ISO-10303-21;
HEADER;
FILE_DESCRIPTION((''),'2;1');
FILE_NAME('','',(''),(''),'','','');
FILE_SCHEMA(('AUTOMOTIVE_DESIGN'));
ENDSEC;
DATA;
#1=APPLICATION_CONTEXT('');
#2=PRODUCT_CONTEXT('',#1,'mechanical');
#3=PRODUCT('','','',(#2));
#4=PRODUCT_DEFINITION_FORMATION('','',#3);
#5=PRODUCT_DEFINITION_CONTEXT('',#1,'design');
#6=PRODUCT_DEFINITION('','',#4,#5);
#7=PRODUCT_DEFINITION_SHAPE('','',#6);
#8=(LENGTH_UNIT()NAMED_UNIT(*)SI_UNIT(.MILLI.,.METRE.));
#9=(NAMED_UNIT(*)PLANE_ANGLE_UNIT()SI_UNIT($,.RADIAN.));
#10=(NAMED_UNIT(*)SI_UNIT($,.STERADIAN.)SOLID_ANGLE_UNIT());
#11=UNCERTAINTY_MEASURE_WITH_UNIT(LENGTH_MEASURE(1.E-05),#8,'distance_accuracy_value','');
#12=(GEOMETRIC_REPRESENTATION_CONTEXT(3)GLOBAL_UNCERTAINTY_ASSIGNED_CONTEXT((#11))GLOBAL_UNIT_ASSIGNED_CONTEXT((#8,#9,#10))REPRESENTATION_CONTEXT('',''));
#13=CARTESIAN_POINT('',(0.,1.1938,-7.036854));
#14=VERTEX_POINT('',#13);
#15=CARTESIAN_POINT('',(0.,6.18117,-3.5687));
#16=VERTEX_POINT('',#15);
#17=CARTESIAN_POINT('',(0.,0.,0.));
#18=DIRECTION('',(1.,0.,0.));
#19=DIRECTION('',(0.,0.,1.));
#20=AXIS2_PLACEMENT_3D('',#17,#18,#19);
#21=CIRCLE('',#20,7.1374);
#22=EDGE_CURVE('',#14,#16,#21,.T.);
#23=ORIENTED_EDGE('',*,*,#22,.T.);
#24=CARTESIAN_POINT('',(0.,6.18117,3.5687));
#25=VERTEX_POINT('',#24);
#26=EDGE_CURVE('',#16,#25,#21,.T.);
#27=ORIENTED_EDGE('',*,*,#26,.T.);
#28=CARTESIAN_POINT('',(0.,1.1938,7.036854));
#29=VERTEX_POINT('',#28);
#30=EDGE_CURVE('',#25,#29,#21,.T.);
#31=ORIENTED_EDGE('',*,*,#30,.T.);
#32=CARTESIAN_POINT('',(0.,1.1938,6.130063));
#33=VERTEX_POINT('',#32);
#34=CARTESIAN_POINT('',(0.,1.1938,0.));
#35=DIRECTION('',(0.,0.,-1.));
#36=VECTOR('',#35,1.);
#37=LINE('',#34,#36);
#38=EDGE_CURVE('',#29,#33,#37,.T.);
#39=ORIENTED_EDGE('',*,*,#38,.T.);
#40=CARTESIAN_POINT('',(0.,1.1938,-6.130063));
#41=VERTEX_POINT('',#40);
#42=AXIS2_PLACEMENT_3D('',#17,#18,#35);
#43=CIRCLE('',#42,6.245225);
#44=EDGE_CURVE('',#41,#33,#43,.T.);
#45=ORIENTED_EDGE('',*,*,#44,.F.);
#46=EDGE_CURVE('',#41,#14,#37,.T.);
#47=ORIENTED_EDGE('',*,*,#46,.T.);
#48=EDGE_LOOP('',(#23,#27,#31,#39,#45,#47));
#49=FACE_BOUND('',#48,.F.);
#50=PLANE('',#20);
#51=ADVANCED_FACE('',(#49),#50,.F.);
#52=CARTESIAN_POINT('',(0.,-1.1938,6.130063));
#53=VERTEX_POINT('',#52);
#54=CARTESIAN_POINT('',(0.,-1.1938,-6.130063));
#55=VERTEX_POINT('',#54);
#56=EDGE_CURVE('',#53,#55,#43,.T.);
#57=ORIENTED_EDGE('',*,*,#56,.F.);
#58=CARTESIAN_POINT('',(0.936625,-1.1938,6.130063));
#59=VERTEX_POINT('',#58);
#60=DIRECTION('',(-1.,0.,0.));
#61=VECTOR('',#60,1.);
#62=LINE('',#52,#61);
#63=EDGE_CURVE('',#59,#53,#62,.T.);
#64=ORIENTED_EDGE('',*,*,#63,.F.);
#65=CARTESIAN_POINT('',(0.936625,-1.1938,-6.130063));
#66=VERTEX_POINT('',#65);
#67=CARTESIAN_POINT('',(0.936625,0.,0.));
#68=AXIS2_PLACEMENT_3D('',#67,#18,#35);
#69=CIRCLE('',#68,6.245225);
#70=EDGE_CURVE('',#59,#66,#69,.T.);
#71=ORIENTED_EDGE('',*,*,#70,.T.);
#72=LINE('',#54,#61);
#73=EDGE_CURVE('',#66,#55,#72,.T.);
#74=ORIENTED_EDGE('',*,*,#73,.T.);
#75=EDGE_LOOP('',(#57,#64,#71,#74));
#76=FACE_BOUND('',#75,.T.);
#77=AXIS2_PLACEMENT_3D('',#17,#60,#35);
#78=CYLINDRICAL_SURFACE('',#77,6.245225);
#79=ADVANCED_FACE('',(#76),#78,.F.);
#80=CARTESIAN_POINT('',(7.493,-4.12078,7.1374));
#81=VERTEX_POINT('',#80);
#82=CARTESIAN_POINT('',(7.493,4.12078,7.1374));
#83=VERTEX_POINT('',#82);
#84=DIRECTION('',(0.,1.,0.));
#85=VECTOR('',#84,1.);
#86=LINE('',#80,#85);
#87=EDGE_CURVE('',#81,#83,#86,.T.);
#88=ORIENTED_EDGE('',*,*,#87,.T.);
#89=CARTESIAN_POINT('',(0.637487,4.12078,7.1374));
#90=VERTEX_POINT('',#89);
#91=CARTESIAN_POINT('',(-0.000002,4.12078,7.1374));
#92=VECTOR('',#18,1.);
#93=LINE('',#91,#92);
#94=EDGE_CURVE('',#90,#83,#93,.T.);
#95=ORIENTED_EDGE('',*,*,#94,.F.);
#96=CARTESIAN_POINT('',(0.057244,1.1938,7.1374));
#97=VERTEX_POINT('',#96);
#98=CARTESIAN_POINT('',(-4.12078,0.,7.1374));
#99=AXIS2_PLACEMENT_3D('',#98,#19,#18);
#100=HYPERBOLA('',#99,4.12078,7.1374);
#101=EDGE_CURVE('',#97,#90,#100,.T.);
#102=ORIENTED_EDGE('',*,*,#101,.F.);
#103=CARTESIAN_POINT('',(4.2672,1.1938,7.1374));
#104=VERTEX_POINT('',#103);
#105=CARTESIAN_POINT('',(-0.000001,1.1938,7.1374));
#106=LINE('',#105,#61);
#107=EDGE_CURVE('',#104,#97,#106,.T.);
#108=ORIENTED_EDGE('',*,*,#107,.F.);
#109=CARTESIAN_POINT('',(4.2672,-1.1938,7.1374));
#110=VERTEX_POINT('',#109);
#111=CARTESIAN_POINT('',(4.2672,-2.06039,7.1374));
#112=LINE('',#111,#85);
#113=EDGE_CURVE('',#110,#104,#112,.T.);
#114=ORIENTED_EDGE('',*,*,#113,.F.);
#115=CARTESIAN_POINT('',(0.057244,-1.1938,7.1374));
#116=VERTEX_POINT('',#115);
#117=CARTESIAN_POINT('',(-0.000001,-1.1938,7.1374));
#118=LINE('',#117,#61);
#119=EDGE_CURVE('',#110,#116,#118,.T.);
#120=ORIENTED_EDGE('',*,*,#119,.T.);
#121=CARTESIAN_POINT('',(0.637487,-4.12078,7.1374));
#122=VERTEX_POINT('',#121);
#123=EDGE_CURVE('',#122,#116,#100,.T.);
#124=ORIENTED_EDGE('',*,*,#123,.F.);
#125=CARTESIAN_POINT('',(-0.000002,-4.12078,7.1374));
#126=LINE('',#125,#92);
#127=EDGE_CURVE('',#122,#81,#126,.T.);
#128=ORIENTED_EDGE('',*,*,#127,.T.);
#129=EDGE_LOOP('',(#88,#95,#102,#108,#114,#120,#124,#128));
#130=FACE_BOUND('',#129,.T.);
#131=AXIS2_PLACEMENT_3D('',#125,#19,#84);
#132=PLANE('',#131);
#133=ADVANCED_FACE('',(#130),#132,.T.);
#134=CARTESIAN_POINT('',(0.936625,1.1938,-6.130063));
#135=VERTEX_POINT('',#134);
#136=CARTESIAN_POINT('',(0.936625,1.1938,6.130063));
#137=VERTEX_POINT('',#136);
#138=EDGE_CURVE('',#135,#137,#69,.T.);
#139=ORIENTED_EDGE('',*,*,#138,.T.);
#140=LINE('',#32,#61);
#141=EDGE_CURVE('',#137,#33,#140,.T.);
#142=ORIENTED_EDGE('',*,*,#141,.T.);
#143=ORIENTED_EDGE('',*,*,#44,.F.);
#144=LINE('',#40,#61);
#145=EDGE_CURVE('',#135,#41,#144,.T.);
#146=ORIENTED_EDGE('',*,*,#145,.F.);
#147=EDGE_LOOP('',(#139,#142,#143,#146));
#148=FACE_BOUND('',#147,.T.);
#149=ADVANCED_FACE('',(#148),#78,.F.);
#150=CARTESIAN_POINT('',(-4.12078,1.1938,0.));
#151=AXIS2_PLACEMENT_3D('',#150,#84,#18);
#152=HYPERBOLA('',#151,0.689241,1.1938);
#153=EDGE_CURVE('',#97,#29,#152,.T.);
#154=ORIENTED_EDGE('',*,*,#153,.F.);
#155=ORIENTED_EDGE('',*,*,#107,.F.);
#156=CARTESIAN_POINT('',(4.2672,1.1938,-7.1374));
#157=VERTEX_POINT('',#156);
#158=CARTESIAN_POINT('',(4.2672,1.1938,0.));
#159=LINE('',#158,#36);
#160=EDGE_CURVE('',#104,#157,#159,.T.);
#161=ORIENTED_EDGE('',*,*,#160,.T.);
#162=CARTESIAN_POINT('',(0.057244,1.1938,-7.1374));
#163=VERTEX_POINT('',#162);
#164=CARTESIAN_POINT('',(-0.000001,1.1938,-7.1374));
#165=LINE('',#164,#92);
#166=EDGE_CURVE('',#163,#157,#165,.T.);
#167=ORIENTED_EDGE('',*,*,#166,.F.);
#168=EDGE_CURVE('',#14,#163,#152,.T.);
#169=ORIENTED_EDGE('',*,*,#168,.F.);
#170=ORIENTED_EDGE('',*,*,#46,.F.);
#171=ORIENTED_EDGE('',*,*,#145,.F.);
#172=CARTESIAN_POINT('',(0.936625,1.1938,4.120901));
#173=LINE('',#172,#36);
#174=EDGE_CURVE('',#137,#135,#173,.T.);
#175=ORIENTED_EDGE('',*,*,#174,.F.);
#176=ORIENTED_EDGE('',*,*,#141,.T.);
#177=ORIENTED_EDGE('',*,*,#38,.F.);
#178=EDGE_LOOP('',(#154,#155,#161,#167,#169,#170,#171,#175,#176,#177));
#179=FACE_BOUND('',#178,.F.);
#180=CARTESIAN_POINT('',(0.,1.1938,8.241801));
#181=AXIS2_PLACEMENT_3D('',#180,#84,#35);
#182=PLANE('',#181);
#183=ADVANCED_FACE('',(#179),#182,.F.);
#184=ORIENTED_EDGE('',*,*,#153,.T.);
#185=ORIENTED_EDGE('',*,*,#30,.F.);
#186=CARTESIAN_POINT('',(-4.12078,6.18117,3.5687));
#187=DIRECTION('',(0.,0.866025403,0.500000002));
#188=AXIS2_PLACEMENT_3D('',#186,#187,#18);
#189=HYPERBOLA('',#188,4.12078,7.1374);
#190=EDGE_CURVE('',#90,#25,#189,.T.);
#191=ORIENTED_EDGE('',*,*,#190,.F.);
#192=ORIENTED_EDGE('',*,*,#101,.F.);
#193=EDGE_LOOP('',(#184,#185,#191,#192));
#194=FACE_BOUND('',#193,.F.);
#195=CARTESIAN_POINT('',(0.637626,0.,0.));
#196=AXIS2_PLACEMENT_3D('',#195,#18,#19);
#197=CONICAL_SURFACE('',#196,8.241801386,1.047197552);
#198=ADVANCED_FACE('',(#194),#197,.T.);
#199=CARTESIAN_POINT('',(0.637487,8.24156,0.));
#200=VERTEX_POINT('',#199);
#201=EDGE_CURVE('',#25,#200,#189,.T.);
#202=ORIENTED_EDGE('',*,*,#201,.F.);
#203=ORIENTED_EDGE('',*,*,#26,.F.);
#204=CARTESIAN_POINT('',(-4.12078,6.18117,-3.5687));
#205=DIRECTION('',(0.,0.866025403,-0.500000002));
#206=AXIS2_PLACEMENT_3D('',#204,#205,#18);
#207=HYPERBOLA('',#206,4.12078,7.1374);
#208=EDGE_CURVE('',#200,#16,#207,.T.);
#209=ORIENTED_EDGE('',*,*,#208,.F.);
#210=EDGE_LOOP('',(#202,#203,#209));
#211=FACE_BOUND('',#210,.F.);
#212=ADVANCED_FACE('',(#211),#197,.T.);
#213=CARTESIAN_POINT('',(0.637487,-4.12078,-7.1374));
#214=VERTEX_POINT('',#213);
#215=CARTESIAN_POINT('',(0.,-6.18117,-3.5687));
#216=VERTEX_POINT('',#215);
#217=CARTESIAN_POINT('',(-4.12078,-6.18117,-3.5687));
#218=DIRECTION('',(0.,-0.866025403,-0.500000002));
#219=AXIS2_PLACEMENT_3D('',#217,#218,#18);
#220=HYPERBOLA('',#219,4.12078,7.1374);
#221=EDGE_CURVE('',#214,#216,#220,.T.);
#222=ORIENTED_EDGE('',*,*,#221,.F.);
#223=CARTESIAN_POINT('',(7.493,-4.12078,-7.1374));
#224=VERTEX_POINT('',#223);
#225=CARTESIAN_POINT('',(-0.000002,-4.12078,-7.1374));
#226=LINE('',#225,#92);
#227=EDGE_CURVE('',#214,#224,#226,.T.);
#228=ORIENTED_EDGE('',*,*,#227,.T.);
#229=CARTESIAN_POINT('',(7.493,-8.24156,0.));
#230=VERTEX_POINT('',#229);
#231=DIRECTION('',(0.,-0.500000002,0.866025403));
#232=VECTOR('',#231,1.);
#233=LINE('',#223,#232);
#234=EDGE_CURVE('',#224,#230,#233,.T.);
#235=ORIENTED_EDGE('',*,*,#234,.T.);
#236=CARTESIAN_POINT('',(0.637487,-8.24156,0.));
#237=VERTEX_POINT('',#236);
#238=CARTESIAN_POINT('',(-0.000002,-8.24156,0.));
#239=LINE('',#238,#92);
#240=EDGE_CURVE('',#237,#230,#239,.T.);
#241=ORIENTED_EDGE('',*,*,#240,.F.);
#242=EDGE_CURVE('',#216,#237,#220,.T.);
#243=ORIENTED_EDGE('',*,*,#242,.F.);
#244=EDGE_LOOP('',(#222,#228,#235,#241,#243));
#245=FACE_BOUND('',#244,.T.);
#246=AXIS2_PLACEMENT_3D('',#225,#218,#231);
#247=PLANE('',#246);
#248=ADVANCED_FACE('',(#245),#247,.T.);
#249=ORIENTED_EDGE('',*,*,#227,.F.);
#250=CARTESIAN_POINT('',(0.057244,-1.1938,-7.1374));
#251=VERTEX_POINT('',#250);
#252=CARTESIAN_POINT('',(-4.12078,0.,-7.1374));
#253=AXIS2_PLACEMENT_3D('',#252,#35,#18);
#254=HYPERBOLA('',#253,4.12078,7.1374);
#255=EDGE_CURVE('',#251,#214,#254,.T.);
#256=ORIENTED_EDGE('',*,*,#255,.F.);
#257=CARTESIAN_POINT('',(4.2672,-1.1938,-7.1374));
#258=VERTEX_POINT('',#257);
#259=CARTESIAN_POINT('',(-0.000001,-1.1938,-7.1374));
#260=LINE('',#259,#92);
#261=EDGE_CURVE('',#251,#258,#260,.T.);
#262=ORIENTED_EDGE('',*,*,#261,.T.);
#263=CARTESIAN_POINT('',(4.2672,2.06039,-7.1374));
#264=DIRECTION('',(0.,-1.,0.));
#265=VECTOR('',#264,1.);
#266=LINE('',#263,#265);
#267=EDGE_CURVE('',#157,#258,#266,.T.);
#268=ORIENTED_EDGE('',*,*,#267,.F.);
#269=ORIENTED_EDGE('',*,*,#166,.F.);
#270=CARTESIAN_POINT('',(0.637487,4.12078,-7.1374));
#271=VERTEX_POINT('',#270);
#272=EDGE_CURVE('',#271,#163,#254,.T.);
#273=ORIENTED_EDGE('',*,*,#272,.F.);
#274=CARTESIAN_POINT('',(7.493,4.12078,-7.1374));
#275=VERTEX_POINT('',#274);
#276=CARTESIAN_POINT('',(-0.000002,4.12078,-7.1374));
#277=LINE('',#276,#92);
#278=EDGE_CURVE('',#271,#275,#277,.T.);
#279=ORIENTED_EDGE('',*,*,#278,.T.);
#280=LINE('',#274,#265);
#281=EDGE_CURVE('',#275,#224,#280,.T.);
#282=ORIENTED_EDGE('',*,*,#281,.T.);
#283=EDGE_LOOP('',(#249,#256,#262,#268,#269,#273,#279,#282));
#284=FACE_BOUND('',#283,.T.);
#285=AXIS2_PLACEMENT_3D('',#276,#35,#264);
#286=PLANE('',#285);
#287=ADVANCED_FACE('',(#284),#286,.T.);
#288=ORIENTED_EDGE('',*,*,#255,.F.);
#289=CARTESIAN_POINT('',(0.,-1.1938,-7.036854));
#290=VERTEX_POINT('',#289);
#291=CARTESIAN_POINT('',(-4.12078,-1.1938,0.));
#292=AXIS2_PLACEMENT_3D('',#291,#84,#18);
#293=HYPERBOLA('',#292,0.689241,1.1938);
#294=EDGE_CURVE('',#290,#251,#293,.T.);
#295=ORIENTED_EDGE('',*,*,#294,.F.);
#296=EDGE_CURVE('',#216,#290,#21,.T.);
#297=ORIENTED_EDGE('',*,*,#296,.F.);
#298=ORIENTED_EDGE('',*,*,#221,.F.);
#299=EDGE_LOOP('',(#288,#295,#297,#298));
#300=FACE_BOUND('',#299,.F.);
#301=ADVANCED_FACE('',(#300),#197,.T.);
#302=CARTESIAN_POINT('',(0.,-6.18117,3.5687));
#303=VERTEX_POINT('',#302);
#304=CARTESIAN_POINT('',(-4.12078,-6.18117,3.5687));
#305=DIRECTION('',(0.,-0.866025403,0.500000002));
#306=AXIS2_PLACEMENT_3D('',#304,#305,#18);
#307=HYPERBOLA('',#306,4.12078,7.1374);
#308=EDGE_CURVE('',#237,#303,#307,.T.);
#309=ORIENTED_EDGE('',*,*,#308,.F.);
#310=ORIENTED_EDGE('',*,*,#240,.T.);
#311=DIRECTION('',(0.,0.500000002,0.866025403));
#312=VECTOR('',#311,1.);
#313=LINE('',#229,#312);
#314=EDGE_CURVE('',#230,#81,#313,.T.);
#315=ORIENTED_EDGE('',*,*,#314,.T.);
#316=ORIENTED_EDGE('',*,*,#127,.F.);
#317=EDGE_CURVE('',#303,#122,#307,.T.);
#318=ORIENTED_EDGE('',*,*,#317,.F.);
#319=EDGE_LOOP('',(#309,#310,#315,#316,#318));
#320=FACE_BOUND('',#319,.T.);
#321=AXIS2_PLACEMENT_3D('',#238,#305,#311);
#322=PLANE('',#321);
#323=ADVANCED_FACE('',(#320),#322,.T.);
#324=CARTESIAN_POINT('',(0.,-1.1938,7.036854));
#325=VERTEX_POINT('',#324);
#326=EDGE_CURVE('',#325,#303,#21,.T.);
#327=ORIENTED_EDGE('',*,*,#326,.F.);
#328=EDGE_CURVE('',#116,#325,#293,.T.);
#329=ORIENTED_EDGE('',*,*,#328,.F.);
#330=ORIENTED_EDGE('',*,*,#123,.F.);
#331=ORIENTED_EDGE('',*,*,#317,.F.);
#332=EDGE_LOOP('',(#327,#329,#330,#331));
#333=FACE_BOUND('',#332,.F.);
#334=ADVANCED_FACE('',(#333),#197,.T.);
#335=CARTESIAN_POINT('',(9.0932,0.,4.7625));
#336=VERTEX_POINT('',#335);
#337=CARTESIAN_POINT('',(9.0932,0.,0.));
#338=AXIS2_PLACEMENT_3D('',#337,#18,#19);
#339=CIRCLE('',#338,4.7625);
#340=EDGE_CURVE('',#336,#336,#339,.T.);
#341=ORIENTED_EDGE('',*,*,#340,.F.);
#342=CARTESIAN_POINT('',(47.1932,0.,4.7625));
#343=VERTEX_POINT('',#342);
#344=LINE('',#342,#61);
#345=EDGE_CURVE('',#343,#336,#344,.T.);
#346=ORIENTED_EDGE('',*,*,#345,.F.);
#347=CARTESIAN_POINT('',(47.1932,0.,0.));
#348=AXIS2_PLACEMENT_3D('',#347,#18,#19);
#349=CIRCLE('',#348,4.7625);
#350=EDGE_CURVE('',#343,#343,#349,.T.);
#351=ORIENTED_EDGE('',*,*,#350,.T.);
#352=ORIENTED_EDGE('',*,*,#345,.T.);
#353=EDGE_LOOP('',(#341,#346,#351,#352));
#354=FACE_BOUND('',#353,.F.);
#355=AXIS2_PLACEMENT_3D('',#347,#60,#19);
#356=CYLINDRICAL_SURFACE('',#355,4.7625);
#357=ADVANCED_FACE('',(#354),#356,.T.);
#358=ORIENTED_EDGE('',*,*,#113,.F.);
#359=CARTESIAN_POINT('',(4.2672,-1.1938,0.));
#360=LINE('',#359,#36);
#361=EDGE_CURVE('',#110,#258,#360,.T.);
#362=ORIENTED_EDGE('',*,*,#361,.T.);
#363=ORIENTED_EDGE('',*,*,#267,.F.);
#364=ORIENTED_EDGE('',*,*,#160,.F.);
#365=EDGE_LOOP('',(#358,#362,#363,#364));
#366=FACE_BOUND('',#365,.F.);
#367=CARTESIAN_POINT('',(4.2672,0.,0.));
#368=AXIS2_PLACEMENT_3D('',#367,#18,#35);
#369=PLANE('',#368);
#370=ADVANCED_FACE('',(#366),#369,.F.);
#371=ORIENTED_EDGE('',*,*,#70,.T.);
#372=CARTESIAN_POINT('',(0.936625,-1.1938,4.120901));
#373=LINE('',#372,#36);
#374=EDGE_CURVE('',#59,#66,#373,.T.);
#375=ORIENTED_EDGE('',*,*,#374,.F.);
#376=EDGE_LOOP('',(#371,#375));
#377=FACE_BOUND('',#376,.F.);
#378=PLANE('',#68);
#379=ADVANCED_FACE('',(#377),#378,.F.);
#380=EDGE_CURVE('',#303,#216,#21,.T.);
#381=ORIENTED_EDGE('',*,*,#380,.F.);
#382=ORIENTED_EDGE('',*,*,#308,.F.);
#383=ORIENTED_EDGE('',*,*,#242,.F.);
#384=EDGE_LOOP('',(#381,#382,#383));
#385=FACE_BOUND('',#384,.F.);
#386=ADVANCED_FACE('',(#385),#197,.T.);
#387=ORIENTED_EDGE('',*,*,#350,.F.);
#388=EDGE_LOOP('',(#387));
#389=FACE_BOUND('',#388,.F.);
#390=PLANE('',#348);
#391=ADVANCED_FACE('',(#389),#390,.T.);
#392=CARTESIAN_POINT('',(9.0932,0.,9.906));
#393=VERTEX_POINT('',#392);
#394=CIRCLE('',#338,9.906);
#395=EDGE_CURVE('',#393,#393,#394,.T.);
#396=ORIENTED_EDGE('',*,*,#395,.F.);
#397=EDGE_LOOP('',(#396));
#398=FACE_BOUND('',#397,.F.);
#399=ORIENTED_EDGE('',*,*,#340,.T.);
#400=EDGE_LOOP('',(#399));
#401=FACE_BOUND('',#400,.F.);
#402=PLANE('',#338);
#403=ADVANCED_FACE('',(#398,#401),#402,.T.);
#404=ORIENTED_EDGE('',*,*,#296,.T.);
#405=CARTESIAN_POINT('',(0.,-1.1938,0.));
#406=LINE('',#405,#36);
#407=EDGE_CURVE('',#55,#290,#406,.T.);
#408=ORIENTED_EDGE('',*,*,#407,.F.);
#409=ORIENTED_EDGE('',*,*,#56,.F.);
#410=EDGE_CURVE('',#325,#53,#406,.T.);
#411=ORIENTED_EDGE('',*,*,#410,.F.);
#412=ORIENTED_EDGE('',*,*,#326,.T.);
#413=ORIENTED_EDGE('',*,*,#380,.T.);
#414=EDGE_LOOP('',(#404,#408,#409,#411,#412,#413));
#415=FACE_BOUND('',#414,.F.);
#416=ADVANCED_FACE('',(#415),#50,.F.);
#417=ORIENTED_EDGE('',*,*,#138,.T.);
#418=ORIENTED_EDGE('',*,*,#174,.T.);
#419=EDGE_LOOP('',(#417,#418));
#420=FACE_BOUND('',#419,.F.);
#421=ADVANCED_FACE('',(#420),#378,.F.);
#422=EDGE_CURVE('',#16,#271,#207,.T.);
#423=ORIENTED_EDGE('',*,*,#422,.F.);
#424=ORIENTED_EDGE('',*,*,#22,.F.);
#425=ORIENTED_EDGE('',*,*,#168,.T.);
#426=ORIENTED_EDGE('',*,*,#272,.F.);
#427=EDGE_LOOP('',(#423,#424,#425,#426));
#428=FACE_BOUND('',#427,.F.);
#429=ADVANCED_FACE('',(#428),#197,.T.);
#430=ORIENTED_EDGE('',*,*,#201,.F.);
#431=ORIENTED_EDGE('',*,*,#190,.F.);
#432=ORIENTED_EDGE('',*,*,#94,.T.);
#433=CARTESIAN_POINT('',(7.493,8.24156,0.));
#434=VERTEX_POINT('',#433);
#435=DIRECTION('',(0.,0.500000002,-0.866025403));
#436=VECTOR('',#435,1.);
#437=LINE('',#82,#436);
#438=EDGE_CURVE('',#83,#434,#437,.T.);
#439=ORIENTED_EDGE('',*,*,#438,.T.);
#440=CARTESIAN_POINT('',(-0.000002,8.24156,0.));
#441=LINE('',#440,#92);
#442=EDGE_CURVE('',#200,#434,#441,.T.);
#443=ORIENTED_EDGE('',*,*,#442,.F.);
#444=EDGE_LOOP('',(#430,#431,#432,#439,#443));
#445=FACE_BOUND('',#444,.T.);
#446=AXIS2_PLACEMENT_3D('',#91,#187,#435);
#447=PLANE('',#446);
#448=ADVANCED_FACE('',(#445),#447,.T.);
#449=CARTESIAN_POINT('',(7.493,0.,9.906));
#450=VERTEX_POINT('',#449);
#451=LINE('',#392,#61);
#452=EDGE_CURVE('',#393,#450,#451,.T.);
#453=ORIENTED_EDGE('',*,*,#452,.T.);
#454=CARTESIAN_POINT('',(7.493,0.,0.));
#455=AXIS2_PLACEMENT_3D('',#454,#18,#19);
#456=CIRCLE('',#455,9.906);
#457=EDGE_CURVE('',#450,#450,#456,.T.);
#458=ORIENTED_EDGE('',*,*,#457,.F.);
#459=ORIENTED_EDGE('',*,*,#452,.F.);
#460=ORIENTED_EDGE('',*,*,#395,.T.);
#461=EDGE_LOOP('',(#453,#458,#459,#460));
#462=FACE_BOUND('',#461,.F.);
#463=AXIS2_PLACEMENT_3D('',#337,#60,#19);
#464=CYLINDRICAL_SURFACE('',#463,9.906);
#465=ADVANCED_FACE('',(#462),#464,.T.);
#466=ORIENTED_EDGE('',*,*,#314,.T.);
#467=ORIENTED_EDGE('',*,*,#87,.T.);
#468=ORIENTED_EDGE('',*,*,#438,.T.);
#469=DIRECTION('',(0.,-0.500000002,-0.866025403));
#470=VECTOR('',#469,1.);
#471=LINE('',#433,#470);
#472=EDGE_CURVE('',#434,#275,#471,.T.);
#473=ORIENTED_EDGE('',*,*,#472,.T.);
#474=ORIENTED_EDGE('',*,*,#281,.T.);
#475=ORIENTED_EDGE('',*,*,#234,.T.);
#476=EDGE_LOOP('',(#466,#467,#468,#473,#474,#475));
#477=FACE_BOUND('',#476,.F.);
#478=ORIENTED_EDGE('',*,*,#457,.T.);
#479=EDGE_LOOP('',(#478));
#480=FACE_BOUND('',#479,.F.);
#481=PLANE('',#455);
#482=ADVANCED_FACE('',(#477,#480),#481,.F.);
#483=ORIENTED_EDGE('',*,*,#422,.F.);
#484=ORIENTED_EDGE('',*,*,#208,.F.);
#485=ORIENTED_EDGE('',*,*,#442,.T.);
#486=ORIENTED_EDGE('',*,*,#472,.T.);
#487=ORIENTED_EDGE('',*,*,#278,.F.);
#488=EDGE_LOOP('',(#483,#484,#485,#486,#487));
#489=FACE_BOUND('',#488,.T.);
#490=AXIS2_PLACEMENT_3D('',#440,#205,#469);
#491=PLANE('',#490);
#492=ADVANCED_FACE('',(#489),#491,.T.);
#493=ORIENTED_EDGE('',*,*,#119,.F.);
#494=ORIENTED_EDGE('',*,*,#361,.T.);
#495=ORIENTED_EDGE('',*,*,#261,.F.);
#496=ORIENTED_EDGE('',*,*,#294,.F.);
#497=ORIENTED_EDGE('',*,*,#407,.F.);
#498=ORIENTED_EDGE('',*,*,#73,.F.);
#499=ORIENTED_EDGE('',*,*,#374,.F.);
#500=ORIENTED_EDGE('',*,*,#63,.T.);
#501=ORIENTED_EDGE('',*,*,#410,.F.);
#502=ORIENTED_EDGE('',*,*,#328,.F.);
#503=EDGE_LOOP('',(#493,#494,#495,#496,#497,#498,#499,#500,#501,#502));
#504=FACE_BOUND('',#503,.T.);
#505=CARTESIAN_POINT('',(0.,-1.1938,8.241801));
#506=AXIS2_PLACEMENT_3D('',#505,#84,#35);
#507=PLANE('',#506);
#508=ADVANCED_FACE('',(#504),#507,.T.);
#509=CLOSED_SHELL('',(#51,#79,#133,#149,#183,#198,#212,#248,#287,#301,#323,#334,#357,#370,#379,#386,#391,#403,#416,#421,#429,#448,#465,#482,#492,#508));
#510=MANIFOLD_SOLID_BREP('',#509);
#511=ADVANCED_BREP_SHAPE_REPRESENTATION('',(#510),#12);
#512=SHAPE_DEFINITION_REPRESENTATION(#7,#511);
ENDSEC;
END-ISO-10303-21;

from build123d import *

# Parameters (mm, degrees)
HEX_DIE_START = -2e-06
SKETCH2_R     = 10.00506
HEX_DIE_DEPTH = 7.493002
SKETCH3_W     = 16.483602772
SKETCH3_H     = 2.3876
SLOT_DEPTH    = 4.2672
SKETCH4_R     = 6.245225
INDENT_DEPTH  = 0.936625


with BuildPart() as part:
    # BodySke → Base-Revolve (revolve)
    with BuildSketch(Plane.XY, mode=Mode.PRIVATE) as base_revolve_sk:
        Polygon((9.0932, 4.7625), (9.0932, 9.906), (7.493, 9.906), (7.493, 8.241801386), (0.637626437, 8.241801386), (0, 7.1374), (0, 0), (47.1932, 0), (47.1932, 4.7625), align=None)
    revolve(base_revolve_sk.sketch.rotate(Axis((-25.4, 0, 0), (1, 0, 0)), 90), axis=Axis((-25.4, 0, 0), (1, 0, 0)))

    # Sketch2 → Hex-Die (cut)
    with BuildSketch(Plane(origin=(0, 0, 0), x_dir=(0, 0, -1), z_dir=(1, 0, 0)).offset(HEX_DIE_START)):
        Circle(SKETCH2_R)
        Polygon((-7.1374, 4.120779829), (0, 8.241559659), (7.1374, 4.120779829), (7.1374, -4.120779829), (0, -8.241559659), (-7.1374, -4.120779829), align=None, mode=Mode.SUBTRACT)
    extrude(amount=HEX_DIE_DEPTH, mode=Mode.SUBTRACT)

    # Sketch3 → Slot (cut)
    with BuildSketch(Plane(origin=(0, 0, 0), x_dir=(0, 0, -1), z_dir=(1, 0, 0))):
        Rectangle(SKETCH3_W, SKETCH3_H)
    extrude(amount=SLOT_DEPTH, mode=Mode.SUBTRACT)

    # Sketch4 → Indent (cut)
    with BuildSketch(Plane(origin=(0, 0, 0), x_dir=(0, 0, -1), z_dir=(1, 0, 0))):
        Circle(SKETCH4_R)
    extrude(amount=INDENT_DEPTH, mode=Mode.SUBTRACT)


solid = part.part
